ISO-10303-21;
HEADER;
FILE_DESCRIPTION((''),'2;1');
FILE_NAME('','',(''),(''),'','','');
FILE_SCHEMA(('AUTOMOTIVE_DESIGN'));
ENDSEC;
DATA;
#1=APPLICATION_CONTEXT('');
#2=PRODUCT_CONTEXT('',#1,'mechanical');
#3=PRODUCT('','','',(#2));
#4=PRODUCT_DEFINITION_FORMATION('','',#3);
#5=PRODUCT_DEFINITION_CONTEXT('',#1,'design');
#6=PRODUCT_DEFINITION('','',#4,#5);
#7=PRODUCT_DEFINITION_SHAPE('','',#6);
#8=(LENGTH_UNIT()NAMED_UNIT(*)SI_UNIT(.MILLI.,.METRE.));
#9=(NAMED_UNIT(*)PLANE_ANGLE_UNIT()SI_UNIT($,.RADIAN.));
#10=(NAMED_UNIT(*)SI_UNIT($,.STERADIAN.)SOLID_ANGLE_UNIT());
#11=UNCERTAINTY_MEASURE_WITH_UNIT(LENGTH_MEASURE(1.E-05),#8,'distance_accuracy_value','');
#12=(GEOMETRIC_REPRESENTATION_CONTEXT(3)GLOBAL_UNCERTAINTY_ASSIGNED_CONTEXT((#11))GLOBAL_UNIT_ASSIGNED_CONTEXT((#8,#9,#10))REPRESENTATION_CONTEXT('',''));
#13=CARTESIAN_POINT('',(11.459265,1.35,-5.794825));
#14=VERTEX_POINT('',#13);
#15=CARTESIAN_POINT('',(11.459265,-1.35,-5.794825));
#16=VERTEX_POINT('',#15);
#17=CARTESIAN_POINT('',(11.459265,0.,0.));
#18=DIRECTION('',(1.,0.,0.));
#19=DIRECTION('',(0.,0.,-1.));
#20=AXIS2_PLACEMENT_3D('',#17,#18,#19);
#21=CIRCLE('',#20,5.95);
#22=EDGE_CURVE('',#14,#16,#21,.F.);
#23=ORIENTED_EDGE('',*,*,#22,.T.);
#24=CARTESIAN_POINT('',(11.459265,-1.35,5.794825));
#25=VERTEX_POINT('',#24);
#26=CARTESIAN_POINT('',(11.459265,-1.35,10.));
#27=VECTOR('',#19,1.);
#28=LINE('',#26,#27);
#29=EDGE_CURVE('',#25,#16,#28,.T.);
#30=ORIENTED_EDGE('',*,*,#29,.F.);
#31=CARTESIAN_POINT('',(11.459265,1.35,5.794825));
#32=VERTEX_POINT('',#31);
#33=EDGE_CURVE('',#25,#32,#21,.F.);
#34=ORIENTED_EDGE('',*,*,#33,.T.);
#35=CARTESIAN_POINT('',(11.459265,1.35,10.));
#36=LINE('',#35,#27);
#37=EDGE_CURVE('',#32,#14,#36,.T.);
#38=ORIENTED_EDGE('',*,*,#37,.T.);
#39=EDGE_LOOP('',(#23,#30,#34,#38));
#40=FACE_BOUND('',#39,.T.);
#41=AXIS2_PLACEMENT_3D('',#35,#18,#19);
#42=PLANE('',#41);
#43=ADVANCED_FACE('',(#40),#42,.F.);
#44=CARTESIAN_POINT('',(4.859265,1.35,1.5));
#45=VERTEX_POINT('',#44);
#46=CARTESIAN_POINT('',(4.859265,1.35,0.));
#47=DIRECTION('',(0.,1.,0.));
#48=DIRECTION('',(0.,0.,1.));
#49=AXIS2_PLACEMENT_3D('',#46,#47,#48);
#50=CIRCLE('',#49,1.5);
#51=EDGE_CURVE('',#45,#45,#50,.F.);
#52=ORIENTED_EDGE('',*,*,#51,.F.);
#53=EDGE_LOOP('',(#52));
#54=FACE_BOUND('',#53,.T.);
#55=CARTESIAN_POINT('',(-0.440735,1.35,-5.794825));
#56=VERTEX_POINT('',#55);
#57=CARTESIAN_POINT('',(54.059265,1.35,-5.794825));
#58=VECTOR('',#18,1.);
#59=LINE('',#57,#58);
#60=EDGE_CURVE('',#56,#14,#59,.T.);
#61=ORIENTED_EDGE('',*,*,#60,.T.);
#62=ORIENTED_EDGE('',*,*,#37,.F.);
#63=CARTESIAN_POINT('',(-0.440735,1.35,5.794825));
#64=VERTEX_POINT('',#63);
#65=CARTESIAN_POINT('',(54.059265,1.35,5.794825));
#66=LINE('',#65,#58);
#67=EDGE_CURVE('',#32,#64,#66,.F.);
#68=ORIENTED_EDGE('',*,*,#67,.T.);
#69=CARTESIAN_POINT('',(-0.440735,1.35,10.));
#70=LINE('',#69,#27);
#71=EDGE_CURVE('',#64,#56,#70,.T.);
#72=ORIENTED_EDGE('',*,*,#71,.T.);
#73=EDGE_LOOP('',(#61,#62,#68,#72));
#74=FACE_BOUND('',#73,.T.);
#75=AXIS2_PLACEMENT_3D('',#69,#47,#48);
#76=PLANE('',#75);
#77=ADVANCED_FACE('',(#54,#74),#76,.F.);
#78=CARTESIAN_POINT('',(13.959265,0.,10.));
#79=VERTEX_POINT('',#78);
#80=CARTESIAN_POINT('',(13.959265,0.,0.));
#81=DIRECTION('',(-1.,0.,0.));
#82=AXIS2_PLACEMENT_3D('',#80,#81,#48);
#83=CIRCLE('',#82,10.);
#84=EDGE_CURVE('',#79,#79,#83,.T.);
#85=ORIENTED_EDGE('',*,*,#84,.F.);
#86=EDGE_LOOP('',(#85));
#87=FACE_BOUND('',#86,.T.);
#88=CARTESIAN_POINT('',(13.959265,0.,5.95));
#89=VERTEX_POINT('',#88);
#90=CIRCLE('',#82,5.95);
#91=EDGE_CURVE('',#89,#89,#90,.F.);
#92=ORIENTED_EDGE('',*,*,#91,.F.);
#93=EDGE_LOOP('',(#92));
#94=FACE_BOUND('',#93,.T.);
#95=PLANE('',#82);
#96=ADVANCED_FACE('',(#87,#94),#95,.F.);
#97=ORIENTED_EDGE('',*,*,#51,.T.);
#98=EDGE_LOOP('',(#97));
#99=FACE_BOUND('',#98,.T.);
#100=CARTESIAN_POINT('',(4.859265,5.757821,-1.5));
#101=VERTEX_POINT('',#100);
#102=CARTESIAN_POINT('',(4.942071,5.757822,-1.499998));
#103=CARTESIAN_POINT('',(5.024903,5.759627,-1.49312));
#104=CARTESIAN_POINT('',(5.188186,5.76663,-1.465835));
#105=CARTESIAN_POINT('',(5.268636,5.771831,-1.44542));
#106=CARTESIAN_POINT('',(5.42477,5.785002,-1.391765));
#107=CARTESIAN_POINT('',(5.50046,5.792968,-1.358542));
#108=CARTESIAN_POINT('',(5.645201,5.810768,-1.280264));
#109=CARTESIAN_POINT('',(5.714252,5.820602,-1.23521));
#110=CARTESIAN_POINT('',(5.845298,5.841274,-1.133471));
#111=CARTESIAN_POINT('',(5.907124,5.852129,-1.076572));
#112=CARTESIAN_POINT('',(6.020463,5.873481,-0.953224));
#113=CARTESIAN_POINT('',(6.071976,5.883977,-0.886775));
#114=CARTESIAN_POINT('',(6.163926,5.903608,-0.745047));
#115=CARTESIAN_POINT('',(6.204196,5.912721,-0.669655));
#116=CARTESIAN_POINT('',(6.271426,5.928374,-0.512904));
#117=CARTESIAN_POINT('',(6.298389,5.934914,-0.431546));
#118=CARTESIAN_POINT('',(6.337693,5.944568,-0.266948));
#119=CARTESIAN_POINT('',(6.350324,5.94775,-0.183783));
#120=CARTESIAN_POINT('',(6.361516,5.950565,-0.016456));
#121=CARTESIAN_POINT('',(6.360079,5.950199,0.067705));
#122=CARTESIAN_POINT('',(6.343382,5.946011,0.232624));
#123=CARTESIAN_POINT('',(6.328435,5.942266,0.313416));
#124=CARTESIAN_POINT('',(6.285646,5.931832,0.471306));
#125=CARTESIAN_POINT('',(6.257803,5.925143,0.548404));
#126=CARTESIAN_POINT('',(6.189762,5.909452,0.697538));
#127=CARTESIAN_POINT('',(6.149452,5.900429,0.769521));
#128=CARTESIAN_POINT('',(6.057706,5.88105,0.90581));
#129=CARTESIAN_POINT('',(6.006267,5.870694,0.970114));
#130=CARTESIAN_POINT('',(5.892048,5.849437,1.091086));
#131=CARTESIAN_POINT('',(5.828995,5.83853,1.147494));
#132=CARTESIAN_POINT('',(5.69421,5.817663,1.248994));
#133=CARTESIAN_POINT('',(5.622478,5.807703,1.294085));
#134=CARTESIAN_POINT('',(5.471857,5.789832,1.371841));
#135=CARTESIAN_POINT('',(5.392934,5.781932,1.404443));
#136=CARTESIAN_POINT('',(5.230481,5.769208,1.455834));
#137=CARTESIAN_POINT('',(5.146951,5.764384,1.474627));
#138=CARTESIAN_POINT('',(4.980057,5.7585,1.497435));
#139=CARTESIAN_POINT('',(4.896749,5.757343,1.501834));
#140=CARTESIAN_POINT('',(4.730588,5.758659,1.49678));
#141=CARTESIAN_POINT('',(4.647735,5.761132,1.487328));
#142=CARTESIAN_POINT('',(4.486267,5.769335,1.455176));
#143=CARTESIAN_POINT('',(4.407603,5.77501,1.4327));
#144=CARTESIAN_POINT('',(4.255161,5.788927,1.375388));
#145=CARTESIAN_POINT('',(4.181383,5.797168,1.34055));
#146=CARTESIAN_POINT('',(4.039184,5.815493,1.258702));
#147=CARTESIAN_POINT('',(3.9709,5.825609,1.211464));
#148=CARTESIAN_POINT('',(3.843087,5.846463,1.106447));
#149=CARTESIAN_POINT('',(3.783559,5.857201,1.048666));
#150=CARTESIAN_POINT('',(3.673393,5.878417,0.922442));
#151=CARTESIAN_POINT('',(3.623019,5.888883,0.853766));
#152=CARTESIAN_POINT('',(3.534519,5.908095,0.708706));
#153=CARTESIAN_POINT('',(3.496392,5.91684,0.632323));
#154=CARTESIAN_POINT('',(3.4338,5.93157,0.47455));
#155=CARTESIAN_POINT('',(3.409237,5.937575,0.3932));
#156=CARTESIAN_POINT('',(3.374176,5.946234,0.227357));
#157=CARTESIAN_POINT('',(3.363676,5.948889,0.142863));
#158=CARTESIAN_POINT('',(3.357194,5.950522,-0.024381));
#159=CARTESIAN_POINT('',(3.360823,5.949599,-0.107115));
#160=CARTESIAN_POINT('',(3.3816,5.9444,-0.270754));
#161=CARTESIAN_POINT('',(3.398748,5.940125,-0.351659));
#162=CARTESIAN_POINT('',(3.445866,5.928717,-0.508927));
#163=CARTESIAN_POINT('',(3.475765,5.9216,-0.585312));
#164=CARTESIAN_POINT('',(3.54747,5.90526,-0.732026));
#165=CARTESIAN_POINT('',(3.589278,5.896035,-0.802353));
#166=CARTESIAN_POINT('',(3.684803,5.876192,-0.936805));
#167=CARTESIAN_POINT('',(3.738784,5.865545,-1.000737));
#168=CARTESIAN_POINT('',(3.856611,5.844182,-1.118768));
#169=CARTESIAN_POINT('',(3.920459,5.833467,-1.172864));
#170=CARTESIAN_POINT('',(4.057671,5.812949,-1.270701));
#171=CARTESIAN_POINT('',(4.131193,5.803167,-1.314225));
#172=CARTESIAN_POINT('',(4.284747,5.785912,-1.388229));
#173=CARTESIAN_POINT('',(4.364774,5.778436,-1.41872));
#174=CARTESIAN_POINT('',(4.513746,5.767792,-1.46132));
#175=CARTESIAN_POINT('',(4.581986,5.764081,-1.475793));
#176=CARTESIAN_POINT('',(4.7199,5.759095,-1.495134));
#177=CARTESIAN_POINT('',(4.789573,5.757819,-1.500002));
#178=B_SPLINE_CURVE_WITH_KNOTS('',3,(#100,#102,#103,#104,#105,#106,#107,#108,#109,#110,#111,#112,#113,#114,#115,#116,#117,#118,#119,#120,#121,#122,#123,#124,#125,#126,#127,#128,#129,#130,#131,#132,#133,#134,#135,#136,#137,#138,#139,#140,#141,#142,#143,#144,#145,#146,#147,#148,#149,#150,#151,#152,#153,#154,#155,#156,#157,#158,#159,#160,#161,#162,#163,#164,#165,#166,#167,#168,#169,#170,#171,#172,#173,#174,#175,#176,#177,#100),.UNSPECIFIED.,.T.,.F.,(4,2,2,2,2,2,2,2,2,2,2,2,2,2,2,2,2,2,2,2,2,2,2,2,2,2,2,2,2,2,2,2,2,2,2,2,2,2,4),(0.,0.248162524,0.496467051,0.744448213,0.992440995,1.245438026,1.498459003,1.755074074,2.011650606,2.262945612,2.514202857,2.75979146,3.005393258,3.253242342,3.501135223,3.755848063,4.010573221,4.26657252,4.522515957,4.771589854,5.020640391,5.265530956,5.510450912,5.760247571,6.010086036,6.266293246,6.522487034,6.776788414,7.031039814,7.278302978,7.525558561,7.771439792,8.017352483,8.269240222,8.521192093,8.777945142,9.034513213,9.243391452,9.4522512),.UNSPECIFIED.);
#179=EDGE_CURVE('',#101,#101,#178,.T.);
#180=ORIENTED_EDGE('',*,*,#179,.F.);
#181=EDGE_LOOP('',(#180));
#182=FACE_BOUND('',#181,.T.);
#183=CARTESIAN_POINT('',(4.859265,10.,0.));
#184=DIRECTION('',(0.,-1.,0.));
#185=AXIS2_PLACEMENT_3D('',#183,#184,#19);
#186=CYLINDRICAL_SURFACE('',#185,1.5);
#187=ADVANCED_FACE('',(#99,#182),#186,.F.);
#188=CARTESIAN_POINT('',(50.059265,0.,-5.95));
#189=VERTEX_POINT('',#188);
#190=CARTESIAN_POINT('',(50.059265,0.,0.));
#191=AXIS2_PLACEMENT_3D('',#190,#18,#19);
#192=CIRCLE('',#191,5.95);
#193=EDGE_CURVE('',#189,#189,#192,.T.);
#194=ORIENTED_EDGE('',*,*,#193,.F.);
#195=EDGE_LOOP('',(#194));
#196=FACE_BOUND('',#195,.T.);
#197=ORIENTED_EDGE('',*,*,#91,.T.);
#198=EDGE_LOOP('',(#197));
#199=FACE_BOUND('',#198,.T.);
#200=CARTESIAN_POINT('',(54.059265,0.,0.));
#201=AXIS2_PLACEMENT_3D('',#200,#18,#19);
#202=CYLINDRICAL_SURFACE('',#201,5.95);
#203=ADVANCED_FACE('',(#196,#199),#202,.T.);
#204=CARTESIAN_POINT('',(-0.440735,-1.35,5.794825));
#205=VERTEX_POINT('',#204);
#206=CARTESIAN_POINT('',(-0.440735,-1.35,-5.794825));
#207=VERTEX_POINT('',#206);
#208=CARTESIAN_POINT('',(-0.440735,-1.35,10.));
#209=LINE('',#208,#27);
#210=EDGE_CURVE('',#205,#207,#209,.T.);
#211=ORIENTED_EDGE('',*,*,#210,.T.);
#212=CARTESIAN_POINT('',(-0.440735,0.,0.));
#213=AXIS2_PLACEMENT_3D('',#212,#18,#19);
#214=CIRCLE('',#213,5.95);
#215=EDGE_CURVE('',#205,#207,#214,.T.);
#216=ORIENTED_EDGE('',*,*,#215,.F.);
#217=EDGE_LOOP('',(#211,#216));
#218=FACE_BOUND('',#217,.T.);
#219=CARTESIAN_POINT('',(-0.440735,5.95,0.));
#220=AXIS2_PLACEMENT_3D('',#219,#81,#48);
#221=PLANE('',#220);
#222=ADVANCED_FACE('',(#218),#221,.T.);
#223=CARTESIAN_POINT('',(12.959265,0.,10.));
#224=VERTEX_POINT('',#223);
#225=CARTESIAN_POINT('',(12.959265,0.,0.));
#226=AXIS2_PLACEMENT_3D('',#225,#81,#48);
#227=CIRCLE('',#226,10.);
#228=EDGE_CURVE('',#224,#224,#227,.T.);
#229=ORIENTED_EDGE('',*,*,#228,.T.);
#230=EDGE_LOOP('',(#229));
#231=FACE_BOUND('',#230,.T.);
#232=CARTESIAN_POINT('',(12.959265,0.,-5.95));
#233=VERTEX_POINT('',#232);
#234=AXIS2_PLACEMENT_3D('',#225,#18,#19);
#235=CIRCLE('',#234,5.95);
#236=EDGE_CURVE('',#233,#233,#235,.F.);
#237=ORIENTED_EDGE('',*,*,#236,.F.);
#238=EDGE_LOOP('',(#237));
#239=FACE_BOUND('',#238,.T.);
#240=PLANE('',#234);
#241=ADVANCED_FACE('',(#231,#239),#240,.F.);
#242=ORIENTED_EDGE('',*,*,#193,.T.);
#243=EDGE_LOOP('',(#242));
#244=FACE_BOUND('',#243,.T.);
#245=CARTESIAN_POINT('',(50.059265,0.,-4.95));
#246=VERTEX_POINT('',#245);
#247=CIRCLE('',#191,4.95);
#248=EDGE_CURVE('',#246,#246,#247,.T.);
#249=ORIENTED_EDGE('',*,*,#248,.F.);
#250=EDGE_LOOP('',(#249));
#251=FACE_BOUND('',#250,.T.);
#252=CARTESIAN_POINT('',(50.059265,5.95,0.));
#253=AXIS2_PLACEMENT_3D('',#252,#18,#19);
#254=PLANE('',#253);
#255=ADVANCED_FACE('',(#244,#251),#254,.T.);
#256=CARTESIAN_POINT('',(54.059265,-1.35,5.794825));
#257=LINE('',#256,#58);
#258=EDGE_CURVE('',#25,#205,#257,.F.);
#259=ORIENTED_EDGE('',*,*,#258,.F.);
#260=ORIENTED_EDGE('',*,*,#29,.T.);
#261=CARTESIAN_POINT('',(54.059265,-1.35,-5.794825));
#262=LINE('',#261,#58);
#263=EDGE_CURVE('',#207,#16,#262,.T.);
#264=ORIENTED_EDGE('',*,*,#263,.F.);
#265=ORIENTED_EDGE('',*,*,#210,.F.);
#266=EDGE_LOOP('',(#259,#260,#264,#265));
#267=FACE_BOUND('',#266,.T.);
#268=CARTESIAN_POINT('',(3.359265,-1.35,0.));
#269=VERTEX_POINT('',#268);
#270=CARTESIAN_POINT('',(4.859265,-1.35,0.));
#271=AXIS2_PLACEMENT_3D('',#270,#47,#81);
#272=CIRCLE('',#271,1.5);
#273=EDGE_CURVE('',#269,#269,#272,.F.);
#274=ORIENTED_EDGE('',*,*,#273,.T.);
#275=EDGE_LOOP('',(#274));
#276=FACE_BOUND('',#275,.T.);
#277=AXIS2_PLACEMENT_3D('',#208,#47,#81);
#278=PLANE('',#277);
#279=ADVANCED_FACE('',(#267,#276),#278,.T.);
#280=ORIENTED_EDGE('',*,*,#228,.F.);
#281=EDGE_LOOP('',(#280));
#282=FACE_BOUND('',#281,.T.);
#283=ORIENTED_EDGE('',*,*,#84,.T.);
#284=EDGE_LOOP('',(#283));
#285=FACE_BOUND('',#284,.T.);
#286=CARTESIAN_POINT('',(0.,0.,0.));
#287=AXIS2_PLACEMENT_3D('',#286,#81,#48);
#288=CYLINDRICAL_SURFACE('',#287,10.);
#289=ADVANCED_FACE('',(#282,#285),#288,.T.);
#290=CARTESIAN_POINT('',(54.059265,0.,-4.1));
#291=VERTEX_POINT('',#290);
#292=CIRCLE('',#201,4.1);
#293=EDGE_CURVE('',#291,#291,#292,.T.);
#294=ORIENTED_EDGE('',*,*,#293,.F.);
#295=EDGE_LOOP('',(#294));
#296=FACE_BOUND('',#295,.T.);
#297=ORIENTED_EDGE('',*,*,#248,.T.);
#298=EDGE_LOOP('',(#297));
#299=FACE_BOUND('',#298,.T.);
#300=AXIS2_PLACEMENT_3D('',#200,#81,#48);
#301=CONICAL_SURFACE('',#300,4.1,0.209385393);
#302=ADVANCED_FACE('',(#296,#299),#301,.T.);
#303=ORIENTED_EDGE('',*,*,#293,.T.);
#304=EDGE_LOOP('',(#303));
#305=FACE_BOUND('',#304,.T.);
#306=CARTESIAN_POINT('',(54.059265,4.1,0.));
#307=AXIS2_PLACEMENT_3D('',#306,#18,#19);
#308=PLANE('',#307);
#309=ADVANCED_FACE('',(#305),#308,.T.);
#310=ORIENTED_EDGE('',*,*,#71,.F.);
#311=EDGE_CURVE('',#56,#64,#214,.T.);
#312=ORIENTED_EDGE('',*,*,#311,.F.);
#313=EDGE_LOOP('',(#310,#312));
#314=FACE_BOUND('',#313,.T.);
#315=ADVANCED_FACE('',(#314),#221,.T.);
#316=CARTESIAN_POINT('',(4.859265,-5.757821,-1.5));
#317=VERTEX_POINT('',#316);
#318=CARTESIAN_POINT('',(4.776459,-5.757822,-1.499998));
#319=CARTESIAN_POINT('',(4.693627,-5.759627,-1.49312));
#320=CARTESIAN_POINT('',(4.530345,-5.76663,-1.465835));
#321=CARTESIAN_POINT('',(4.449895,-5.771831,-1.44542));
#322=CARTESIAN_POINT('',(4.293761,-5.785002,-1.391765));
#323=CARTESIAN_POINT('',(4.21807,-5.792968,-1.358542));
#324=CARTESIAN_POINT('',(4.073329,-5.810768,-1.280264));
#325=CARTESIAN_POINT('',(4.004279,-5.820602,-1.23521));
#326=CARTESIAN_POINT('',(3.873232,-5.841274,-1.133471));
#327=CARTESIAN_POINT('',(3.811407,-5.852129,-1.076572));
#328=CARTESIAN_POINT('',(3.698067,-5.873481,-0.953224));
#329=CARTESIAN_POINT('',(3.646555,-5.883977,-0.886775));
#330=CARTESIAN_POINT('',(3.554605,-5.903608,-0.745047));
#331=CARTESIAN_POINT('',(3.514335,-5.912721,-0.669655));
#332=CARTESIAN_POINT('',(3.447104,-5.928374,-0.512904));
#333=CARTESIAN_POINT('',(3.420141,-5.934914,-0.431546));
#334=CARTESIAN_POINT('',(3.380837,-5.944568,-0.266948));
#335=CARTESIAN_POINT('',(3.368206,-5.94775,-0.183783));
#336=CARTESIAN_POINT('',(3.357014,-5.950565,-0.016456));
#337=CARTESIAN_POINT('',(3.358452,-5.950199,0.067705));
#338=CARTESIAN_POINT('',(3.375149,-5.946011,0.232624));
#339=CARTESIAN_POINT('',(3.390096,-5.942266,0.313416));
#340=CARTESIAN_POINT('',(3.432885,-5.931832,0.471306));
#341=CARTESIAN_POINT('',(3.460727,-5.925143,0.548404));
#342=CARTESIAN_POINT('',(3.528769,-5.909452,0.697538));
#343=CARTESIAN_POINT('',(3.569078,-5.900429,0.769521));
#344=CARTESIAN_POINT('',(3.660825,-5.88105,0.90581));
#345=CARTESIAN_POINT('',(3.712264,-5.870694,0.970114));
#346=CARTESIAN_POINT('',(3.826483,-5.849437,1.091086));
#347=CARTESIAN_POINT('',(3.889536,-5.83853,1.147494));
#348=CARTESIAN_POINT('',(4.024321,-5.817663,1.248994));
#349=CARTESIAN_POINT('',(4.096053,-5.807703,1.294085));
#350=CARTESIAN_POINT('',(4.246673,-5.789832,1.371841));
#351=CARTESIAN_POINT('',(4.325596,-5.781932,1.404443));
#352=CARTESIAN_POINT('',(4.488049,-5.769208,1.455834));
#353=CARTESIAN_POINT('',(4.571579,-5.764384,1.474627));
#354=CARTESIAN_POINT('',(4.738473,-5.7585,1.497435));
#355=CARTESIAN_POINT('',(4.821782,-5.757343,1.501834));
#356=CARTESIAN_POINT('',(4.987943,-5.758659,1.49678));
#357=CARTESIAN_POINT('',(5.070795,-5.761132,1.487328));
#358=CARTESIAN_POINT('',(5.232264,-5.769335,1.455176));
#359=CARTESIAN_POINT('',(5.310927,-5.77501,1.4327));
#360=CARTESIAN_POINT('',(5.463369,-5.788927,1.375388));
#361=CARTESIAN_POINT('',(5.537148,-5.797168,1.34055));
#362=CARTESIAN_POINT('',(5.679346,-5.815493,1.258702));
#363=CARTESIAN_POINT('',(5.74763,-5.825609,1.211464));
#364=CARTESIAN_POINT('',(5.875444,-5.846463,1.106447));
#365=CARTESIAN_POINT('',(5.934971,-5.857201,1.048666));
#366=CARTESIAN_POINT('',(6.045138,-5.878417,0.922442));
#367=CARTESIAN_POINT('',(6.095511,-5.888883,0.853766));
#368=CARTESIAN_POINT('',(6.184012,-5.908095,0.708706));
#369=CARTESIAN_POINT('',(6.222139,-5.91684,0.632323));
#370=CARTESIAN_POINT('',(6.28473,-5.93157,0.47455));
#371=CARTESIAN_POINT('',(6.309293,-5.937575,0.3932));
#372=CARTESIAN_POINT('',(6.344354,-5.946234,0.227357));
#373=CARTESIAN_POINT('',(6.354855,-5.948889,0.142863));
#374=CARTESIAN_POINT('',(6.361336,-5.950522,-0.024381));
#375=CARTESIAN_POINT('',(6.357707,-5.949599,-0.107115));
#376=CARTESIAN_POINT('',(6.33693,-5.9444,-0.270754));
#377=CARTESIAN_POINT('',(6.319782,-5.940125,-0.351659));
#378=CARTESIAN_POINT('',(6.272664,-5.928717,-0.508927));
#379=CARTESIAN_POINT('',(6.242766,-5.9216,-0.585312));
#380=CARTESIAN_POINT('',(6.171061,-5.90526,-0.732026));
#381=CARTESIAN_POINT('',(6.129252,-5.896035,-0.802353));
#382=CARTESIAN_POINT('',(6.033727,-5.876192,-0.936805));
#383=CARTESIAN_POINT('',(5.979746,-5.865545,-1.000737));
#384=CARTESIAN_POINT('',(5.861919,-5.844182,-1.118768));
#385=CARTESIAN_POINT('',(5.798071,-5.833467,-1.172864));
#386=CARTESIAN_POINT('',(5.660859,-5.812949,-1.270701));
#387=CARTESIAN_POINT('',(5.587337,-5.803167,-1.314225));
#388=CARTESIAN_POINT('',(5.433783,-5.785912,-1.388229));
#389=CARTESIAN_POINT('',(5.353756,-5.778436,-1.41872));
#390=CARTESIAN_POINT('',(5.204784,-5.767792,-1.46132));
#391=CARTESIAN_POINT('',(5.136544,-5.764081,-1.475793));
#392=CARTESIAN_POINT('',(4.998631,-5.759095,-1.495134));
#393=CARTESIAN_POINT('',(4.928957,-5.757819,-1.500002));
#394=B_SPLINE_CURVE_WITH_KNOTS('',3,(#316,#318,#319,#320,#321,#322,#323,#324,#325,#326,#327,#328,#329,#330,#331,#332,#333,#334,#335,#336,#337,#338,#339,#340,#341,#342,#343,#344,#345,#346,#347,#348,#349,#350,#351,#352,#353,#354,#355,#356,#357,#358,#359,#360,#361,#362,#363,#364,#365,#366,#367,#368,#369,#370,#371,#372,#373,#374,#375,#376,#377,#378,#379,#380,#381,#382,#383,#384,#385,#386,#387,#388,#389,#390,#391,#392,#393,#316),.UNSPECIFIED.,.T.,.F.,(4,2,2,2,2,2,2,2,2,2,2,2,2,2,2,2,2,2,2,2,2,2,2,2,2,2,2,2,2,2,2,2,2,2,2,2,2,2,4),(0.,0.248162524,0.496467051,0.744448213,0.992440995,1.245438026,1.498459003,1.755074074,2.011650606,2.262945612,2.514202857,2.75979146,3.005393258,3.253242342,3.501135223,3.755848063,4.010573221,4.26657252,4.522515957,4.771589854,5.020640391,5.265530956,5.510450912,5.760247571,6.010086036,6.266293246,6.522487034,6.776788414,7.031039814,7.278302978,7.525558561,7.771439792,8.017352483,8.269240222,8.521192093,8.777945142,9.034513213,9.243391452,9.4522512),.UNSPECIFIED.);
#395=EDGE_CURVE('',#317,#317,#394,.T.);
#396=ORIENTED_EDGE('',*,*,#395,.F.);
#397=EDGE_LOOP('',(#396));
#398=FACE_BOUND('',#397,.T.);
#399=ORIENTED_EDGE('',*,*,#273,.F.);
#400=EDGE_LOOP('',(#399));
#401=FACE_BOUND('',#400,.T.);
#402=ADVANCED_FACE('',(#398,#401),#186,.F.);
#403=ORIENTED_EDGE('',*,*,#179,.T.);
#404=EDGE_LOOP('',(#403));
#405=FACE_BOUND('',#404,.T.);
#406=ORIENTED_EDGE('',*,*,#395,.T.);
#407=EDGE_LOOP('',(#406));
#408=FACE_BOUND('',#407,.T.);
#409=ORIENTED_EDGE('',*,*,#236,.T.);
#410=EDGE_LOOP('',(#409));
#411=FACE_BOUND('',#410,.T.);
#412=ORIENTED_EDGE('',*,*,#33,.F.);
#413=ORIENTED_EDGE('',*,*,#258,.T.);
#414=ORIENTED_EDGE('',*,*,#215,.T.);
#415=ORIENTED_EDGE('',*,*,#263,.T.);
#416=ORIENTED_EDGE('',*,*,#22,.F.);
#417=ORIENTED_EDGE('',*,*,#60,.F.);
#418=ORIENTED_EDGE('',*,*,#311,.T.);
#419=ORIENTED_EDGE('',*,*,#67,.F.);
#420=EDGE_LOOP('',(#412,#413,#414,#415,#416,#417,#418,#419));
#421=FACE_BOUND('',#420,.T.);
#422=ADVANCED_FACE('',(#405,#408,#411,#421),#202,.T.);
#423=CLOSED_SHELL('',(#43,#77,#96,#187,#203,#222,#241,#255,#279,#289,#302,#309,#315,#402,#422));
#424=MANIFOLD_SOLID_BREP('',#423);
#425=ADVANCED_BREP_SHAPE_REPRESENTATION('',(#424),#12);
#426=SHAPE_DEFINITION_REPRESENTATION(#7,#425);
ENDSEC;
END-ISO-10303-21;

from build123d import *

# Parameters (mm, degrees)
CORTAR_EXTRUIR1_DEPTH      = 10
CORTAR_EXTRUIR1_DEPTH_BACK = 10
CROQUIS2_W                 = 11.9
CROQUIS2_H                 = 2.7
CORTAR_EXTRUIR2_DEPTH      = 10
CORTAR_EXTRUIR2_DEPTH_BACK = 10
CROQUIS3_R                 = 1.5
CROQUIS4_W                 = 1
CROQUIS4_H                 = 10


with BuildPart() as part:
    # Croquis1 → Revolución1 (revolve)
    with BuildSketch(Plane.XY):
        Polygon((-0.440734801, 5.95), (50.059265199, 5.95), (50.059265199, 4.95), (54.059265199, 4.1), (54.059265199, 0), (0, 0), (-0.440734801, 0), align=None)
    revolve(axis=Axis((54.059265199, 0, 0), (-1, 0, 0)))

    # Croquis2 → Cortar-Extruir1 (cut, two sides: drawn at the far end of the back side and taken through both)
    with BuildSketch(Plane.XY.offset(-CORTAR_EXTRUIR1_DEPTH_BACK)):
        with Locations((5.509265199, 0)):
            Rectangle(CROQUIS2_W, CROQUIS2_H)
    extrude(amount=CORTAR_EXTRUIR1_DEPTH + CORTAR_EXTRUIR1_DEPTH_BACK, mode=Mode.SUBTRACT)

    # Croquis3 → Cortar-Extruir2 (cut, two sides: drawn at the far end of the back side and taken through both)
    with BuildSketch(Plane(origin=(0, 0, 0), x_dir=(1, 0, 0), z_dir=(0, 1, 0)).offset(-CORTAR_EXTRUIR2_DEPTH_BACK)):
        with Locations((4.859265199, 0)):
            Circle(CROQUIS3_R)
    extrude(amount=CORTAR_EXTRUIR2_DEPTH + CORTAR_EXTRUIR2_DEPTH_BACK, mode=Mode.SUBTRACT)

    # Croquis4 → Revolución2 (revolve)
    with BuildSketch(Plane(origin=(0, 0, 0), x_dir=(1, 0, 0), z_dir=(0, 1, 0))):
        with Locations((13.459265199, 5)):
            Rectangle(CROQUIS4_W, CROQUIS4_H)
    revolve(axis=Axis((0, 0, 0), (1, 0, 0)))


solid = part.part
